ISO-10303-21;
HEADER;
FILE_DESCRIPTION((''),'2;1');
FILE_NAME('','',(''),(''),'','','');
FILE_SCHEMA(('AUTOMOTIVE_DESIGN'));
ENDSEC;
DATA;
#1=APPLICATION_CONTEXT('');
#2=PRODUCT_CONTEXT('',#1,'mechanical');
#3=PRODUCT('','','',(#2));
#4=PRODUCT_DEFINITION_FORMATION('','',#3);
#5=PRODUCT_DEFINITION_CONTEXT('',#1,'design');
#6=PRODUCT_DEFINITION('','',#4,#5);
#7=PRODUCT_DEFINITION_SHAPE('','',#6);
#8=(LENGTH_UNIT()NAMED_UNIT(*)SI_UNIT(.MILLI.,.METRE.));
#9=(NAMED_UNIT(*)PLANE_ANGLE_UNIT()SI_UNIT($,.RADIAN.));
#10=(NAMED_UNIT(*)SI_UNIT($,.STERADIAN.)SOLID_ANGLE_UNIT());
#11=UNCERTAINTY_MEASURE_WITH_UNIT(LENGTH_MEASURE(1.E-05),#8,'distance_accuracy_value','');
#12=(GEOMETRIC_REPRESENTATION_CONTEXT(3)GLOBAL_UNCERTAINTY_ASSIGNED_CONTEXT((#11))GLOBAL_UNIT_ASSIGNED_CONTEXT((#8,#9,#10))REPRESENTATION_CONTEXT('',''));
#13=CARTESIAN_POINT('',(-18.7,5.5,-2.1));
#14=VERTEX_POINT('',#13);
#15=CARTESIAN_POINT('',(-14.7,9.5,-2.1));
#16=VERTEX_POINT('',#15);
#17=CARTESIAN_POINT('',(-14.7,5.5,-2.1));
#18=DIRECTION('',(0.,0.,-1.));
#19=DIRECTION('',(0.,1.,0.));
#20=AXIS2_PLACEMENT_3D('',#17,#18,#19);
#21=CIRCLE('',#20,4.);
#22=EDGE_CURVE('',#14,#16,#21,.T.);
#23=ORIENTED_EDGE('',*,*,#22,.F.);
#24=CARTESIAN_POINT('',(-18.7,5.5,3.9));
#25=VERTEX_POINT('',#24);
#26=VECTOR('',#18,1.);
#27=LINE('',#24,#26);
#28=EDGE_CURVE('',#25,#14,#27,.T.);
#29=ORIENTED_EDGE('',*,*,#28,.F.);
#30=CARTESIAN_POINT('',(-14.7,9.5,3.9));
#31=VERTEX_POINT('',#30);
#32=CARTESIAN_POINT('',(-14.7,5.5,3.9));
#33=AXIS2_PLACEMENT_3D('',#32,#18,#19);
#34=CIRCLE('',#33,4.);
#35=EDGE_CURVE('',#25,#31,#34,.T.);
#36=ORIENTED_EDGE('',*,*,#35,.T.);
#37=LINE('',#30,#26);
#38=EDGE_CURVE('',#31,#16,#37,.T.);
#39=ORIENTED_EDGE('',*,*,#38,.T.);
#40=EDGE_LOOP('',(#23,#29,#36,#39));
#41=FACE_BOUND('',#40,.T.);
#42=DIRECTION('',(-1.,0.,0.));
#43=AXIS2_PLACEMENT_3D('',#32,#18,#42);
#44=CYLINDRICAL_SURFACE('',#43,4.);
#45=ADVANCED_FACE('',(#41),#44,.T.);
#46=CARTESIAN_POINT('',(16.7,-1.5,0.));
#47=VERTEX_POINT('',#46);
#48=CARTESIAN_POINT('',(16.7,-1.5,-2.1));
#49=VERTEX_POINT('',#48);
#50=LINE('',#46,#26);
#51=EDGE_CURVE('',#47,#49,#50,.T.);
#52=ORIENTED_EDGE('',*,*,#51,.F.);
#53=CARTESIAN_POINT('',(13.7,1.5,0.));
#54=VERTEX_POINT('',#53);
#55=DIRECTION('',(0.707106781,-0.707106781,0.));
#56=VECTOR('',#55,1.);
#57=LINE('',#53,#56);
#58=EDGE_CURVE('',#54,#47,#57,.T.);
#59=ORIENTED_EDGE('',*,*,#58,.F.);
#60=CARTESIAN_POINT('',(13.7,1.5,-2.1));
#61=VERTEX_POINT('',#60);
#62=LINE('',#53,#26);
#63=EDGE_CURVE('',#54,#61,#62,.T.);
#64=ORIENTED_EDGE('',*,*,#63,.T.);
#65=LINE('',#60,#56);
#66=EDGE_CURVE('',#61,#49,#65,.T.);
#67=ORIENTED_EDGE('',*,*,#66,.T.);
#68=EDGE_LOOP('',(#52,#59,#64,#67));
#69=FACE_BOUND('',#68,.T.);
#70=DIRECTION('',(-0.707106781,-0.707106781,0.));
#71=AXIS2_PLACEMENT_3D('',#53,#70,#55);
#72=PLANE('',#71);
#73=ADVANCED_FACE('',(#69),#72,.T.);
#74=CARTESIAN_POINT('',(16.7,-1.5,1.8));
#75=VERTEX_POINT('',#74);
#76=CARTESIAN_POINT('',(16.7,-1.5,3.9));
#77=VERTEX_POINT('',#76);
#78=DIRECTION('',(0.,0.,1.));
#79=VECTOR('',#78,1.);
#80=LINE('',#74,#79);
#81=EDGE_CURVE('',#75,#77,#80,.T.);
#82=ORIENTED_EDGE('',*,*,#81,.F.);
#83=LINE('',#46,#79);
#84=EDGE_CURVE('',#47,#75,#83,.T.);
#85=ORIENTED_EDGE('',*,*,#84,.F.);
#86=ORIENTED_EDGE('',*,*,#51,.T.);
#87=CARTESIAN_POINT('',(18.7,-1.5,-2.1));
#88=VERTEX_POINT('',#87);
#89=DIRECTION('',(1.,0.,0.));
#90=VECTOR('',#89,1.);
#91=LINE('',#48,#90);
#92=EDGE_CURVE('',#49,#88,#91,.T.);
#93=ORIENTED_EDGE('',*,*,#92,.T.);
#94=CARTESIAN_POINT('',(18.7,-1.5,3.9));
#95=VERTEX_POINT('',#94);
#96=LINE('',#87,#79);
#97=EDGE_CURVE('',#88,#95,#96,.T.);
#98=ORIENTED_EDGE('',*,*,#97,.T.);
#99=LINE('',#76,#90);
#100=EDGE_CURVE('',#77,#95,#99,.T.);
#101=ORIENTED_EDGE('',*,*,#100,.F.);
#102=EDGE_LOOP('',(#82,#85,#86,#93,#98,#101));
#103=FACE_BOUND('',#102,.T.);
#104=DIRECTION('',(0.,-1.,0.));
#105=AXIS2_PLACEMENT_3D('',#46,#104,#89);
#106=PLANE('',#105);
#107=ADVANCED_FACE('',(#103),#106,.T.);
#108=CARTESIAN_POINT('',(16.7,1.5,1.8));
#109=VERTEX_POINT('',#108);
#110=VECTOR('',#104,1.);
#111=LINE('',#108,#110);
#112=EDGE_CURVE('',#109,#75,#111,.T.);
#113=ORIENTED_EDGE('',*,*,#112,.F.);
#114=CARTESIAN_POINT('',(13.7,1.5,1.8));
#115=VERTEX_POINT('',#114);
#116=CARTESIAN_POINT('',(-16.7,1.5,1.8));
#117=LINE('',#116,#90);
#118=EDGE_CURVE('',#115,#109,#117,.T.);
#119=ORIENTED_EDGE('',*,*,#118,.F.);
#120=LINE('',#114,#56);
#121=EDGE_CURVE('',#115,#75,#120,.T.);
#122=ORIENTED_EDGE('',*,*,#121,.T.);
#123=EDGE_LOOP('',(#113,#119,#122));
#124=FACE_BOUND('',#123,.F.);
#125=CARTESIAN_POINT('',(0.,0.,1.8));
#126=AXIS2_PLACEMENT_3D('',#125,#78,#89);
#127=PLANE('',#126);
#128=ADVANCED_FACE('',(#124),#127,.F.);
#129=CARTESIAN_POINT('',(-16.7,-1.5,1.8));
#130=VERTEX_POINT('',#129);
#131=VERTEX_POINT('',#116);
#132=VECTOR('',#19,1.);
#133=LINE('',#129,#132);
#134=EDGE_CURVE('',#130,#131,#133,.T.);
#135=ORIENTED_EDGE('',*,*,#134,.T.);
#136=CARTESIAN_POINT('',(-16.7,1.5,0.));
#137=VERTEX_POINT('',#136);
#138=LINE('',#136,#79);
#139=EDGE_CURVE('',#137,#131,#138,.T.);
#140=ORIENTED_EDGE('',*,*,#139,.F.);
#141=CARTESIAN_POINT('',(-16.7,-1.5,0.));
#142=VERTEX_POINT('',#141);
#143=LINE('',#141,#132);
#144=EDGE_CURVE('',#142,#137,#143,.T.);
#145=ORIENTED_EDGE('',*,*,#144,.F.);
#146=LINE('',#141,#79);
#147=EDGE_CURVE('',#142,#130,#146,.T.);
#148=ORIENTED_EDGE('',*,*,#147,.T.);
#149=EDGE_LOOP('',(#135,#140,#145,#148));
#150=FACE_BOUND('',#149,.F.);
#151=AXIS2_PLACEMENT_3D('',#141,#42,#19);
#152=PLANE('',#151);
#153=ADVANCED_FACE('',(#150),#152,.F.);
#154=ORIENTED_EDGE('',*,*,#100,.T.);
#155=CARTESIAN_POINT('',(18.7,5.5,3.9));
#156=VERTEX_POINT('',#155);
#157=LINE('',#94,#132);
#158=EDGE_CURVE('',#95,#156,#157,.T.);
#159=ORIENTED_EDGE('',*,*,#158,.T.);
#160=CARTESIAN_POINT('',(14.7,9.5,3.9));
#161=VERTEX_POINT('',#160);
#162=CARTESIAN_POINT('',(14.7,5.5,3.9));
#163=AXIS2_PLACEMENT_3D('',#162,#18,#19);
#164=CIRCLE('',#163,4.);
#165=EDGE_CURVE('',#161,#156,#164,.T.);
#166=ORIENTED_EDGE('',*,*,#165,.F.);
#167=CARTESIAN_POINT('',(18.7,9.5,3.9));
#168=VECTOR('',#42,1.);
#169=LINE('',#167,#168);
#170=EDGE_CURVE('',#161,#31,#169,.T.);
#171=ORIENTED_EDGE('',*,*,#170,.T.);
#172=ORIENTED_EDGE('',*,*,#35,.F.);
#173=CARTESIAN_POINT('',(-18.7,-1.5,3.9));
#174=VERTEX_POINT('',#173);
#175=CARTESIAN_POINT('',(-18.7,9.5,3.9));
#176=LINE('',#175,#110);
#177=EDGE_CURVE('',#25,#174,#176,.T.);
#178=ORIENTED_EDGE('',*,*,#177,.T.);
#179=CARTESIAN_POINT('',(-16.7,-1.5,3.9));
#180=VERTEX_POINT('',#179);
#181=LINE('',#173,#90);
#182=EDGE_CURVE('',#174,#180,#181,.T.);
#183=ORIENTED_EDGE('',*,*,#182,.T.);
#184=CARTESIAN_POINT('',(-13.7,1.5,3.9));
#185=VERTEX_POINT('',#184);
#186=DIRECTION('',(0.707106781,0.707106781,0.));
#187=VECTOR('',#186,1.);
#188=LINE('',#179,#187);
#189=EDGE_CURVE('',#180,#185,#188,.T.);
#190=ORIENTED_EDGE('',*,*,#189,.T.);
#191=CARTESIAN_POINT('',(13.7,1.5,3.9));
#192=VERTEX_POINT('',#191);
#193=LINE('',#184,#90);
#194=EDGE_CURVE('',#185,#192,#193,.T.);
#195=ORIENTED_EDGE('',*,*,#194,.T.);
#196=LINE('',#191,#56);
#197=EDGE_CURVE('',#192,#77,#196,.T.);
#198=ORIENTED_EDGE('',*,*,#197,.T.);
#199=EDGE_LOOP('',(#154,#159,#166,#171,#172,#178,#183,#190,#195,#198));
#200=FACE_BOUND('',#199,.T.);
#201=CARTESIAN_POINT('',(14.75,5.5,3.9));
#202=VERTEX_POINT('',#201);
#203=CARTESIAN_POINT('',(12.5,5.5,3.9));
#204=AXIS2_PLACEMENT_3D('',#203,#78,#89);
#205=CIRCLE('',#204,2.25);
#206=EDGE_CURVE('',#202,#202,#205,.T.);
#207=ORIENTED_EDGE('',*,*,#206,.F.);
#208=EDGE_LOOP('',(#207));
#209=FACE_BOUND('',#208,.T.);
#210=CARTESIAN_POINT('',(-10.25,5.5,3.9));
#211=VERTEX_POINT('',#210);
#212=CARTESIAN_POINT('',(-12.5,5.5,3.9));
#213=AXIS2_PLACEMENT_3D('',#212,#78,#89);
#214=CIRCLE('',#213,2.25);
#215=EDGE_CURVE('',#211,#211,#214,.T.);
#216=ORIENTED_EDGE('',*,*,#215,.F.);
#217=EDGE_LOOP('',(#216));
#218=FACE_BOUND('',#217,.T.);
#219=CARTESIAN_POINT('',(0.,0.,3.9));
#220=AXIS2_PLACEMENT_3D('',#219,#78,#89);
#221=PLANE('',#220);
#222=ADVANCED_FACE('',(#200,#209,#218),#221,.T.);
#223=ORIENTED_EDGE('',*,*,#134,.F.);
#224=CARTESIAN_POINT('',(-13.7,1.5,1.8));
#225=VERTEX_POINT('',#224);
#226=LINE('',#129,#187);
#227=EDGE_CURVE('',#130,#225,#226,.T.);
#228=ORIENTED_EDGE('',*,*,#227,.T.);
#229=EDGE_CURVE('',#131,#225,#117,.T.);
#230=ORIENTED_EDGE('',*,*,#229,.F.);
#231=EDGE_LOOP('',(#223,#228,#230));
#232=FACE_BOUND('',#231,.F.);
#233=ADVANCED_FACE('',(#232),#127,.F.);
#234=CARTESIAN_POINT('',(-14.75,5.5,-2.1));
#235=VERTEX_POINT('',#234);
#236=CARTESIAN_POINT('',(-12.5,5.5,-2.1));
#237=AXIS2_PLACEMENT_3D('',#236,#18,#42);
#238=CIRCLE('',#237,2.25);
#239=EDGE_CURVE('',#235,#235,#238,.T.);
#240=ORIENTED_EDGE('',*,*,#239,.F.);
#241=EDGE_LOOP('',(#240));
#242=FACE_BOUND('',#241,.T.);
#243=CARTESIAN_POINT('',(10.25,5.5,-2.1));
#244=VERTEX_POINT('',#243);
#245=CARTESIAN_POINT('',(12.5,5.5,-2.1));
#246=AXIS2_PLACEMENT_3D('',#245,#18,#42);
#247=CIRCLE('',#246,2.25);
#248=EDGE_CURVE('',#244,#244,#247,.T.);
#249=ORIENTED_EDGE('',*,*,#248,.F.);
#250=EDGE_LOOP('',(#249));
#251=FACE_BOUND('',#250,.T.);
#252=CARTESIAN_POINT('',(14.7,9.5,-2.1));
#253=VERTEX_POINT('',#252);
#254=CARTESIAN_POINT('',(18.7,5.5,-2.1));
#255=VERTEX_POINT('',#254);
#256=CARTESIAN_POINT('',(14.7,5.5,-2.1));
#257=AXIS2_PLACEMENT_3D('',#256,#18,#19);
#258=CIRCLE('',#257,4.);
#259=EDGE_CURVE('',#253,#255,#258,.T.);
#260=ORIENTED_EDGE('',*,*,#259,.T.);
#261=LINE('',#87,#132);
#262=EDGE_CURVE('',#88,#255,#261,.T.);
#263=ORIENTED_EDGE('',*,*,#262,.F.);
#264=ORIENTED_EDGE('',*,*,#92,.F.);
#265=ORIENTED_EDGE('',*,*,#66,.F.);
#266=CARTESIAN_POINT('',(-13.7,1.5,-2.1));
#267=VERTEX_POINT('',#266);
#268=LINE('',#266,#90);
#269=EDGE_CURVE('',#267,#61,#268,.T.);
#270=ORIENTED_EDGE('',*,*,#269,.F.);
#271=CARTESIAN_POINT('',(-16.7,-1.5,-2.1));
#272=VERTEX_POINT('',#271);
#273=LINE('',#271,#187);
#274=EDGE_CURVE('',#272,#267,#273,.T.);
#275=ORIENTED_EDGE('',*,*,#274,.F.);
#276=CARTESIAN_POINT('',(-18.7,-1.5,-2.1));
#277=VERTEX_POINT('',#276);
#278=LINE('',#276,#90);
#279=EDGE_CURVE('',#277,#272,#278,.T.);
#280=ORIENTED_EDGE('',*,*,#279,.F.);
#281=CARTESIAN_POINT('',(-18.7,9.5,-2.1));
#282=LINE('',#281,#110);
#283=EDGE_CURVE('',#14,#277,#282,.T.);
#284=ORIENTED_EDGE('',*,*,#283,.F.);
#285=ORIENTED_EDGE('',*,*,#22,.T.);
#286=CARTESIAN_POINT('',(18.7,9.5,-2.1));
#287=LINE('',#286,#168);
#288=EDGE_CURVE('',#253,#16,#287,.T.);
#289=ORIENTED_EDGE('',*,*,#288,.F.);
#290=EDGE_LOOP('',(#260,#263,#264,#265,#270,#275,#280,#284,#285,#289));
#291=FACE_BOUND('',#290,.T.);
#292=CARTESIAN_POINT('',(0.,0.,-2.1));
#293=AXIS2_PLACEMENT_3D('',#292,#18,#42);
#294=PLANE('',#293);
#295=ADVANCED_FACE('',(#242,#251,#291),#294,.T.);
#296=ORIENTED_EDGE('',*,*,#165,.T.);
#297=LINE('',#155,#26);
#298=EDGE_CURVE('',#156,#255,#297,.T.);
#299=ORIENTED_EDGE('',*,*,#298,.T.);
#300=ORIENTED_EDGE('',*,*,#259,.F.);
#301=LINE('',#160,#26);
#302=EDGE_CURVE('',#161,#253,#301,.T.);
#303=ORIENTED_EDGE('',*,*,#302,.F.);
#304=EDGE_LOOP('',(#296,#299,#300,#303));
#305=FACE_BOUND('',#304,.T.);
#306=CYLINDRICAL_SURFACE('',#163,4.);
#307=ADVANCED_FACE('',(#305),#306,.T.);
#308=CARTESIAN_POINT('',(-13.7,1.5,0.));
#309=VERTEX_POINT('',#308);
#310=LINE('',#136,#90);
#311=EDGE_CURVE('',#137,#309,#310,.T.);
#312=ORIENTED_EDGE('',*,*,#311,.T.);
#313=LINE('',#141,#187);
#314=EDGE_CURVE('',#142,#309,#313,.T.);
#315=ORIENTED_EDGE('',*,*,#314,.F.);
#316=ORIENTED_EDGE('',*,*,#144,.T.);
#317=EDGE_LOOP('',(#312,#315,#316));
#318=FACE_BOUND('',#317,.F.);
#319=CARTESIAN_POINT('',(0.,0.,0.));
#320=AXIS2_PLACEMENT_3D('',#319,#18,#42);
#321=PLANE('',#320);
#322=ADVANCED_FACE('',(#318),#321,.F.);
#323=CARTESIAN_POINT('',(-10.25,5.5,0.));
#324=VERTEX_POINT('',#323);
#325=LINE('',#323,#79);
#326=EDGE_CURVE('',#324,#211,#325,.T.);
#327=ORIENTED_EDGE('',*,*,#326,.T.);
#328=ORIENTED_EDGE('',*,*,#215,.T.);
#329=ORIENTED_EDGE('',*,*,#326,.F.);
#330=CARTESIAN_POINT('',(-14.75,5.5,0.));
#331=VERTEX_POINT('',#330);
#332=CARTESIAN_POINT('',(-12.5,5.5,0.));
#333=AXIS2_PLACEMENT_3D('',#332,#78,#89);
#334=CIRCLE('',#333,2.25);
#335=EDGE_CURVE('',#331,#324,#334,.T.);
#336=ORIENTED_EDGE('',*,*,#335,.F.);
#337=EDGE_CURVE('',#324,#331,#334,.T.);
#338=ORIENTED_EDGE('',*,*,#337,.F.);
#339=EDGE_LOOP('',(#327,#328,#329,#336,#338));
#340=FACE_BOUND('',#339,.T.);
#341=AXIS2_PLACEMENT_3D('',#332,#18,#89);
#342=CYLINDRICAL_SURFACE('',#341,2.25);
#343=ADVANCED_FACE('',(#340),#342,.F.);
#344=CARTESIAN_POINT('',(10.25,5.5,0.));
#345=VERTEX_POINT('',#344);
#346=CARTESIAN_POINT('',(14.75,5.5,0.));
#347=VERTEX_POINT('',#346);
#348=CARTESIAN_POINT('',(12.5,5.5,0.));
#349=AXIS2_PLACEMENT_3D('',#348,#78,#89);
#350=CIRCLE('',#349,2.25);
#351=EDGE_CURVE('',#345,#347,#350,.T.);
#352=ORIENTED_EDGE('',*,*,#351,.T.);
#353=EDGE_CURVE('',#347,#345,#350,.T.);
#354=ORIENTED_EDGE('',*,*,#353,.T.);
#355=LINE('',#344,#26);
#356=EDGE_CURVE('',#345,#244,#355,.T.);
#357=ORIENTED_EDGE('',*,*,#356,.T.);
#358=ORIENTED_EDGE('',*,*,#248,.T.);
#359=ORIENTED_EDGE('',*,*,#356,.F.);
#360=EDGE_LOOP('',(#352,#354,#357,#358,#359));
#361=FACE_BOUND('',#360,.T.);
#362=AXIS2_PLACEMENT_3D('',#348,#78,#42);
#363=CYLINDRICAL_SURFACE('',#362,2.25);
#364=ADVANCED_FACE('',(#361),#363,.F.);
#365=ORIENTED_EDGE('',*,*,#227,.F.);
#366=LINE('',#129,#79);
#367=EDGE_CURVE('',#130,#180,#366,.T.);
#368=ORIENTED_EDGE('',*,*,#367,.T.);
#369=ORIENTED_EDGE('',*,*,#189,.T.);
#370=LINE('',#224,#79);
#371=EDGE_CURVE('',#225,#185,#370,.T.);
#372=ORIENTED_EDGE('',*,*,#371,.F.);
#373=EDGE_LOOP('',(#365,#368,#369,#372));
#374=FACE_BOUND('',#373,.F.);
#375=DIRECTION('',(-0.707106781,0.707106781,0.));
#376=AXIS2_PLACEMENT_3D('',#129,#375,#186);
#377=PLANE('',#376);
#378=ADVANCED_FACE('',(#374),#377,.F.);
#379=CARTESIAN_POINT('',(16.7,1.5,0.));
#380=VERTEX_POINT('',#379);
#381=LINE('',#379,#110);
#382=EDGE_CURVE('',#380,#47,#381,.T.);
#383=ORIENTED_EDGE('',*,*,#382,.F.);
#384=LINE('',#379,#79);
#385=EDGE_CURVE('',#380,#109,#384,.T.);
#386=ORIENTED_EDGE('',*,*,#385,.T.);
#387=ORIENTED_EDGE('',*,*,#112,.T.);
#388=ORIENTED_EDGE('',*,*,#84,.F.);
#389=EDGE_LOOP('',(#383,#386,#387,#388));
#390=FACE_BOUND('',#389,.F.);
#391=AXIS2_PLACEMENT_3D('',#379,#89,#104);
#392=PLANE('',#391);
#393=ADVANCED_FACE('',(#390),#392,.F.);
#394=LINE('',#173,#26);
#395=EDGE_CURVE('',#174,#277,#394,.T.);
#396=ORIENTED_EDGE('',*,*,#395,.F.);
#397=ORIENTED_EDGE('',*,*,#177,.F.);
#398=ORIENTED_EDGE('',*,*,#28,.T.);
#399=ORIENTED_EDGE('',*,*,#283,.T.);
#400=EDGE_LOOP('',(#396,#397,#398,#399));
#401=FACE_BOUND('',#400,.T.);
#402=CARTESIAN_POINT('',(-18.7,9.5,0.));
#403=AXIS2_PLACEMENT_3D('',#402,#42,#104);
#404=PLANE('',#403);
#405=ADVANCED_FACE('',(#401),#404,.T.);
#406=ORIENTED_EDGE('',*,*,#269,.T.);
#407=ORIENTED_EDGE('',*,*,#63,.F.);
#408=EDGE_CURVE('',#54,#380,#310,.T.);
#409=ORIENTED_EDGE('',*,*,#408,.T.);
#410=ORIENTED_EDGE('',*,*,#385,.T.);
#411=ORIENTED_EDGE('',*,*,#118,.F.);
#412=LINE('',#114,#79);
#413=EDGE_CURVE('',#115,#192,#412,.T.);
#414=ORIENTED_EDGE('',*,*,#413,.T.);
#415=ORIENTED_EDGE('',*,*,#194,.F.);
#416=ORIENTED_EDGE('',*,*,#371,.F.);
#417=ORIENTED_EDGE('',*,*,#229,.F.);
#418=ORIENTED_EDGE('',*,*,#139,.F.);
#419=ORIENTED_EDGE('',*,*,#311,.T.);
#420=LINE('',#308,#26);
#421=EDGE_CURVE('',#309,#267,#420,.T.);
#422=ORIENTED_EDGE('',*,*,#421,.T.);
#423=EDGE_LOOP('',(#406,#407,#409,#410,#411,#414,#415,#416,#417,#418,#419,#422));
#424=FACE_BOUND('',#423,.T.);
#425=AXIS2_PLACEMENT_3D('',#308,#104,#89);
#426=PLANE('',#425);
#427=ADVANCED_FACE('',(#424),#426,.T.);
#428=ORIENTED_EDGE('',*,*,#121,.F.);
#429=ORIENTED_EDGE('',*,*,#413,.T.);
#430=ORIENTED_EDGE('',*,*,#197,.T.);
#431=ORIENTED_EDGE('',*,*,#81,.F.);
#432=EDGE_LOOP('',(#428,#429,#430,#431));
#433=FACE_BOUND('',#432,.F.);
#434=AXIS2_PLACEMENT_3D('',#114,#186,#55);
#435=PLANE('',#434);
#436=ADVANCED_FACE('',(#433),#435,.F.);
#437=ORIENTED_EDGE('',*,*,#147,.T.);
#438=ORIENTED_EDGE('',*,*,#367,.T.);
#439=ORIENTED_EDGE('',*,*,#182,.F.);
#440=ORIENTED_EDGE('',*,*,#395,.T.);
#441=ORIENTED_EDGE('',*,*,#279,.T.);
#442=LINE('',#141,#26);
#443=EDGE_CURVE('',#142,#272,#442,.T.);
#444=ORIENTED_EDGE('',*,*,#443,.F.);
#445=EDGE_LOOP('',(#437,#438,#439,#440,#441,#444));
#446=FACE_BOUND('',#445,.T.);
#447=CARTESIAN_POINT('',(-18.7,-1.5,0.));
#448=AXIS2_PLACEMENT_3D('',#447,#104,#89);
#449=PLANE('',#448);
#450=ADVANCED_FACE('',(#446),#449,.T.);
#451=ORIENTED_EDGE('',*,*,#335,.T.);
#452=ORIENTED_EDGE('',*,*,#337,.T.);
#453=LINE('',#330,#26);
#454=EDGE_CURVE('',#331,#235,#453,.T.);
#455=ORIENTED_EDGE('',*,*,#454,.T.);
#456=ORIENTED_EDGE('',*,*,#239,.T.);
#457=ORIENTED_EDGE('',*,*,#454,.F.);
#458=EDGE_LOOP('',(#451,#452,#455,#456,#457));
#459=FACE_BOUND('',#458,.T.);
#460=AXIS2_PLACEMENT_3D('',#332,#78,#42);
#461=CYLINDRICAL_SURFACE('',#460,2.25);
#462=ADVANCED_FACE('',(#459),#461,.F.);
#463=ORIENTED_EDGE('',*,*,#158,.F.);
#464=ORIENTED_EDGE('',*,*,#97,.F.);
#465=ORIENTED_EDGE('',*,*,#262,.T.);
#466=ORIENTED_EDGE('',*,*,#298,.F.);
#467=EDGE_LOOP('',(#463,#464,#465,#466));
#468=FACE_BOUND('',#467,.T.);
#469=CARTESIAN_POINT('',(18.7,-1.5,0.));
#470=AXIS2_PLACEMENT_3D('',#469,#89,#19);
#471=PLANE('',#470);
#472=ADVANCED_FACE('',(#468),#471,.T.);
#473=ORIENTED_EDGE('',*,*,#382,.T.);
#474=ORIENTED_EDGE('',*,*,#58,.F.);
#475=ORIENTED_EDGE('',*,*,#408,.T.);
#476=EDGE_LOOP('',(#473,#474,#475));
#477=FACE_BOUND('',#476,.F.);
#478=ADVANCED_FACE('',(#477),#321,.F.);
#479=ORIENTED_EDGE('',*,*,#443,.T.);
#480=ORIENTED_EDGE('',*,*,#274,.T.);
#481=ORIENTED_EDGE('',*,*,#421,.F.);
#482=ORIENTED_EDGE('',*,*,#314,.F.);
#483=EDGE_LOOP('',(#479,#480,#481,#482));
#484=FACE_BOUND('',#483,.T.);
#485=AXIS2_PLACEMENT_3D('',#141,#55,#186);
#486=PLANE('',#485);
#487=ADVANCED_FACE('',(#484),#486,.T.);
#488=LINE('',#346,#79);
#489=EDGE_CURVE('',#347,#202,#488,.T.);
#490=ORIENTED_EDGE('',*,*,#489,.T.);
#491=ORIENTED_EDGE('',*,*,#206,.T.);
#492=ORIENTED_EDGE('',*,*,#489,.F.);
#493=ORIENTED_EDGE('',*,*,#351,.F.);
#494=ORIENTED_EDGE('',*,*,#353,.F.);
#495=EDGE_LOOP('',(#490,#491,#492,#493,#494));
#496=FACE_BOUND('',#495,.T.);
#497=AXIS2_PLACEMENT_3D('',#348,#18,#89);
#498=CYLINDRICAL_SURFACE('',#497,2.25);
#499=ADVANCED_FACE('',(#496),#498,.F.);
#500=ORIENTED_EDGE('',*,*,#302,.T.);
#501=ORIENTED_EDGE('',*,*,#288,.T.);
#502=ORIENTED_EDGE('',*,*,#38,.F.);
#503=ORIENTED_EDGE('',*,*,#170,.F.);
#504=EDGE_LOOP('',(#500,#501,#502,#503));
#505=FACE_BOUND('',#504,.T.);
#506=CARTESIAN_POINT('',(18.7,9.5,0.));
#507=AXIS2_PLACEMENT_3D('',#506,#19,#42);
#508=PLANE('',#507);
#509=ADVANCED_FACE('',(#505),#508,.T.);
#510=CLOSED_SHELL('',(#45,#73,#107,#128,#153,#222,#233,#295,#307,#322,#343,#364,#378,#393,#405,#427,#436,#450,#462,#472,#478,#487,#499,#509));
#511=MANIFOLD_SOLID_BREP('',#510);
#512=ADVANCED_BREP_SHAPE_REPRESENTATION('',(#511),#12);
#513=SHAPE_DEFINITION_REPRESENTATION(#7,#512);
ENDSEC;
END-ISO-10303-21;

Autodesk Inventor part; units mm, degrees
ref_plane "YZ Plane" through (0, 0, 0) normal (1, 0, 0) x (0, 1, 0)
ref_plane "XZ Plane" through (0, 0, 0) normal (0, 1, 0) x (-1, 0, 0)
ref_plane "XY Plane" through (0, 0, 0) normal (0, 0, 1) x (1, 0, 0)
sketch "スケッチ1" plane through (0, 0, 0) normal (0, 0, 1) x (1, 0, 0)
  line L0 (-16.7, 1.5) -> (16.7, 1.5) construction
  line L1 (16.7, 1.5) -> (16.7, -1.5) construction
  line L2 (16.7, -1.5) -> (-16.7, -1.5) construction
  line L3 (-16.7, -1.5) -> (-16.7, 1.5) construction
  line L4 (-16.7, 1.5) -> (16.7, -1.5) construction
  line L5 (16.7, 1.5) -> (-16.7, -1.5) construction
  line L6 (-16.7, -1.5) -> (-16.7, 1.5)
  line L7 (-16.7, 1.5) -> (16.7, 1.5)
  line L8 (16.7, 1.5) -> (16.7, -1.5)
  line L9 (16.7, -1.5) -> (18.7, -1.5)
  line L10 (18.7, -1.5) -> (18.7, 9.5)
  line L11 (18.7, 9.5) -> (-18.7, 9.5)
  line L12 (-18.7, 9.5) -> (-18.7, -1.5)
  line L13 (-18.7, -1.5) -> (-16.7, -1.5)
  circle A0 centre (-12.5, 5.5) radius 2.25
  line L14 (0, 9.5) -> (0, 0) construction
  circle A1 centre (12.5, 5.5) radius 2.25
  dimension "d0" = 3
  dimension "d1" = 33.4
  dimension "d2" = 8
  dimension "d3" = 2
  dimension "d4" = 4.5
  dimension "d5" = 4
  dimension "d6" = 6.2
extrude "押し出し1" add sketch "スケッチ1" along normal blind 1.8
sketch "スケッチ2" plane through (0, 0, 1.8) normal (0, 0, 1) x (1, 0, 0)
  line L0 (-18.7, -1.5) -> (-16.7, -1.5)
  line L1 (-16.7, -1.5) -> (-13.7, 1.5)
  line L2 (-13.7, 1.5) -> (13.7, 1.5)
  line L3 (13.7, 1.5) -> (16.7, -1.5)
  line L4 (16.7, -1.5) -> (18.7, -1.5)
  line L5 (18.7, -1.5) -> (18.7, 9.5)
  line L6 (18.7, 9.5) -> (-18.7, 9.5)
  line L7 (-18.7, 9.5) -> (-18.7, -1.5)
  line L8 (-16.7, 1.5) -> (16.7, 1.5) projected
  circle A0 centre (-12.5, 5.5) radius 2.25 projected
  circle A1 centre (12.5, 5.5) radius 2.25 projected
  point P0 (0, 0)
  dimension "d9" = 135
  dimension "d10" = 135
extrude "押し出し2" add sketch "スケッチ2" along normal blind 2.1
sketch "スケッチ3" plane through (0, 0, 0) normal (0, 0, -1) x (-1, 0, 0)
  circle A0 centre (-12.5, 5.5) radius 2.25 projected
  circle A1 centre (12.5, 5.5) radius 2.25 projected
  line L0 (18.7, -1.5) -> (16.7, -1.5) projected
  line L1 (16.7, -1.5) -> (13.7, 1.5) projected
  line L2 (13.7, 1.5) -> (-13.7, 1.5) projected
  line L3 (-13.7, 1.5) -> (-16.7, -1.5) projected
  line L4 (-16.7, -1.5) -> (-18.7, -1.5) projected
  line L5 (-18.7, -1.5) -> (-18.7, 9.5) projected
  line L6 (-18.7, 9.5) -> (18.7, 9.5) projected
  line L7 (18.7, 9.5) -> (18.7, -1.5) projected
  point P0 (0, 0)
extrude "押し出し3" add sketch "スケッチ3" along normal blind 2.1
fillet "フィレット1" radius 4 2 edges at (18.7, 9.5, 0.9) (-18.7, 9.5, 0.9)
equation "\"d5\" = 0.5 * d2"
equation "\"d10\" = d9"
properties part number "dcdcfixer" material "アルミニウム 6061"
